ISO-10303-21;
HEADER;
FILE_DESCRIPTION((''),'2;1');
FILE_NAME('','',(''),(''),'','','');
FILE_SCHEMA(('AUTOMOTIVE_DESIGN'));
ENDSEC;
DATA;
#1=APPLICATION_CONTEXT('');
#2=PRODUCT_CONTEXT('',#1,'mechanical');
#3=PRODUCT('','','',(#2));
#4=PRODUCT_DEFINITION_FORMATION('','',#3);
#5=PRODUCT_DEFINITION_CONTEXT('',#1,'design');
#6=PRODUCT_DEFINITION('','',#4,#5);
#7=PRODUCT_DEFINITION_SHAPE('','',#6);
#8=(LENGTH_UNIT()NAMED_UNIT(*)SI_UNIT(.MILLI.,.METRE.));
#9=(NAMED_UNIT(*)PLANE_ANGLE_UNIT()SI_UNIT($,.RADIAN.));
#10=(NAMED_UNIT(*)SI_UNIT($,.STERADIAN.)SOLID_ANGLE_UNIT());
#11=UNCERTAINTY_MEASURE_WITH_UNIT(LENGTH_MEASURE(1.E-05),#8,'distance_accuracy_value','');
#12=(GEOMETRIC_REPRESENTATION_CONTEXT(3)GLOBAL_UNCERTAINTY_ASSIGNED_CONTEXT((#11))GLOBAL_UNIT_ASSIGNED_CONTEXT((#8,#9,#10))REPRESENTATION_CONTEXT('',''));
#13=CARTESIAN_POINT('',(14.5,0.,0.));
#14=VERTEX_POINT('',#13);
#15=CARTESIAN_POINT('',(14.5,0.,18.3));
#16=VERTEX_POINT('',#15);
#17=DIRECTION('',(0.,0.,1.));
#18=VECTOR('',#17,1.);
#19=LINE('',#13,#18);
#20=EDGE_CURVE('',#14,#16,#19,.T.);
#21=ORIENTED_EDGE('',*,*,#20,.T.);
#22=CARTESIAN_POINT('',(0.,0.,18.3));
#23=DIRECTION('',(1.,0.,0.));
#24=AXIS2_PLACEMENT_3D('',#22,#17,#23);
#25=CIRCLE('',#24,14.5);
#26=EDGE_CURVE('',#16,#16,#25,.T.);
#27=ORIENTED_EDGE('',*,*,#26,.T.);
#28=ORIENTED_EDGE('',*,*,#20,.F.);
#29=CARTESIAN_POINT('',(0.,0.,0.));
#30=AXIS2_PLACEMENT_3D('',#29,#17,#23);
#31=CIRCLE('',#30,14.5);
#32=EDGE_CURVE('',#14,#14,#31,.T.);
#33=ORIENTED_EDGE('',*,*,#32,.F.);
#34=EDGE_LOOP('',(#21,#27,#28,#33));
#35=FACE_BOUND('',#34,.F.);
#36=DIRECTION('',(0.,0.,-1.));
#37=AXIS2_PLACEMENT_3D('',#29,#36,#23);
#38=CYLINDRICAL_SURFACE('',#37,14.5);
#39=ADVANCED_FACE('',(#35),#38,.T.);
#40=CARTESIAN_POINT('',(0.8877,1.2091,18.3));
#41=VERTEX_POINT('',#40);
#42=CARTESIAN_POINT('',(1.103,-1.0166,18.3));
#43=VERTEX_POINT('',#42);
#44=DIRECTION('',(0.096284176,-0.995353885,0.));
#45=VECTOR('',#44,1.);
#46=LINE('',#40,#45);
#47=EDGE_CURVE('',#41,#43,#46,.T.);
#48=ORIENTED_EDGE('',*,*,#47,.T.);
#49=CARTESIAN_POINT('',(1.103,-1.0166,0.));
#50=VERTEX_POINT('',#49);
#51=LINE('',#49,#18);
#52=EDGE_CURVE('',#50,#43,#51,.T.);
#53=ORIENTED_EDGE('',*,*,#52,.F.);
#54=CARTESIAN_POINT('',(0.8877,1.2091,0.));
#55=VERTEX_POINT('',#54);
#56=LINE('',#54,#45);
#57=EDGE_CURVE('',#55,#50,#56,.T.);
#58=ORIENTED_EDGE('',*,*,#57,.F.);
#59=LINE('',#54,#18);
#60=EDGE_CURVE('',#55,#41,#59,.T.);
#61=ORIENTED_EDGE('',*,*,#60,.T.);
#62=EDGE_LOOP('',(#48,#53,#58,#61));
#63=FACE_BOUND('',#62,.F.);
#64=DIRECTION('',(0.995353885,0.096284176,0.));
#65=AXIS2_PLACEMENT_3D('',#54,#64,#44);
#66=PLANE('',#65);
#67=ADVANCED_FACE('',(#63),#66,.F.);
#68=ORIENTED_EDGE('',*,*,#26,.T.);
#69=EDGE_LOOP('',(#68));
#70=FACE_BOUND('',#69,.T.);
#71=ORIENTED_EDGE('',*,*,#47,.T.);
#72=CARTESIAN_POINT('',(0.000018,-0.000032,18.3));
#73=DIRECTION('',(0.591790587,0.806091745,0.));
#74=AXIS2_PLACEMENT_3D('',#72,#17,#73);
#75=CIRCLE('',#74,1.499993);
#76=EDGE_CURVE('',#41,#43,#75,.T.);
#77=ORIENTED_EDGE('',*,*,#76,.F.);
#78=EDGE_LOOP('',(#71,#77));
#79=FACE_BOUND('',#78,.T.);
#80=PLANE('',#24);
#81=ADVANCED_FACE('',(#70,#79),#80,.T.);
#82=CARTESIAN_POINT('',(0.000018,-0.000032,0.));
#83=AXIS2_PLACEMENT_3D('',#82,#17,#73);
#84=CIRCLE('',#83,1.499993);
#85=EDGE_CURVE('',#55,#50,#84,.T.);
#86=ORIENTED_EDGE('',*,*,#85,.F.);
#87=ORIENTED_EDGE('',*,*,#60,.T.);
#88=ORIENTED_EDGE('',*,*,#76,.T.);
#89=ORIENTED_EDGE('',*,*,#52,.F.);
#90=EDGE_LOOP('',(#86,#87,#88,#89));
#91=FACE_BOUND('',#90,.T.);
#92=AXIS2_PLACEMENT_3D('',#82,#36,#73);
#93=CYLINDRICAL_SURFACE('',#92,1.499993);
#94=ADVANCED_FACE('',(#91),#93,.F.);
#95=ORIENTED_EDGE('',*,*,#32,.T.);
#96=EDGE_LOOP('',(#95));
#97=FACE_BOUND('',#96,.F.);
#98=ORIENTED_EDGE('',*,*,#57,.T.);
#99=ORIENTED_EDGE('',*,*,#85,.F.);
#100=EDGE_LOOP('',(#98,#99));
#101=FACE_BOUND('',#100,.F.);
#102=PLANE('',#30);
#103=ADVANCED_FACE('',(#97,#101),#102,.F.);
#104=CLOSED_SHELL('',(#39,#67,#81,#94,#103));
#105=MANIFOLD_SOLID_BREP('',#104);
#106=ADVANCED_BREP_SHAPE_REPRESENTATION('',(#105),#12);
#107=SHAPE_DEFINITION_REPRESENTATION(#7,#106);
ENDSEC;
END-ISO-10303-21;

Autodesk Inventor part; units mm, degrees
ref_plane "YZ Plane" through (0, 0, 0) normal (1, 0, 0) x (0, 1, 0)
ref_plane "XZ Plane" through (0, 0, 0) normal (0, 1, 0) x (-1, 0, 0)
sketch "Szkic1" plane through (0, 0, 0) normal (0, 0, 1) x (1, 0, 0)
  circle A0 centre (0, 0) radius 14.5
  arc A1 (0.8877, 1.2091) -> (1.103, -1.0166) centre (0, 0) ccw projected
  line L0 (0.8877, 1.2091) -> (1.103, -1.0166) projected
  dimension "d0" = 29
ref_plane "Płaszczyzna konstrukcyjna1" through (-9.6084, -5, 18.3) normal (0, 0, 1) x (1, 0, 0)
extrude "Wyciągnięcie proste1" add sketch "Szkic1" along normal up to surface (18.3 mm away)
properties part number "opona_nowa"
